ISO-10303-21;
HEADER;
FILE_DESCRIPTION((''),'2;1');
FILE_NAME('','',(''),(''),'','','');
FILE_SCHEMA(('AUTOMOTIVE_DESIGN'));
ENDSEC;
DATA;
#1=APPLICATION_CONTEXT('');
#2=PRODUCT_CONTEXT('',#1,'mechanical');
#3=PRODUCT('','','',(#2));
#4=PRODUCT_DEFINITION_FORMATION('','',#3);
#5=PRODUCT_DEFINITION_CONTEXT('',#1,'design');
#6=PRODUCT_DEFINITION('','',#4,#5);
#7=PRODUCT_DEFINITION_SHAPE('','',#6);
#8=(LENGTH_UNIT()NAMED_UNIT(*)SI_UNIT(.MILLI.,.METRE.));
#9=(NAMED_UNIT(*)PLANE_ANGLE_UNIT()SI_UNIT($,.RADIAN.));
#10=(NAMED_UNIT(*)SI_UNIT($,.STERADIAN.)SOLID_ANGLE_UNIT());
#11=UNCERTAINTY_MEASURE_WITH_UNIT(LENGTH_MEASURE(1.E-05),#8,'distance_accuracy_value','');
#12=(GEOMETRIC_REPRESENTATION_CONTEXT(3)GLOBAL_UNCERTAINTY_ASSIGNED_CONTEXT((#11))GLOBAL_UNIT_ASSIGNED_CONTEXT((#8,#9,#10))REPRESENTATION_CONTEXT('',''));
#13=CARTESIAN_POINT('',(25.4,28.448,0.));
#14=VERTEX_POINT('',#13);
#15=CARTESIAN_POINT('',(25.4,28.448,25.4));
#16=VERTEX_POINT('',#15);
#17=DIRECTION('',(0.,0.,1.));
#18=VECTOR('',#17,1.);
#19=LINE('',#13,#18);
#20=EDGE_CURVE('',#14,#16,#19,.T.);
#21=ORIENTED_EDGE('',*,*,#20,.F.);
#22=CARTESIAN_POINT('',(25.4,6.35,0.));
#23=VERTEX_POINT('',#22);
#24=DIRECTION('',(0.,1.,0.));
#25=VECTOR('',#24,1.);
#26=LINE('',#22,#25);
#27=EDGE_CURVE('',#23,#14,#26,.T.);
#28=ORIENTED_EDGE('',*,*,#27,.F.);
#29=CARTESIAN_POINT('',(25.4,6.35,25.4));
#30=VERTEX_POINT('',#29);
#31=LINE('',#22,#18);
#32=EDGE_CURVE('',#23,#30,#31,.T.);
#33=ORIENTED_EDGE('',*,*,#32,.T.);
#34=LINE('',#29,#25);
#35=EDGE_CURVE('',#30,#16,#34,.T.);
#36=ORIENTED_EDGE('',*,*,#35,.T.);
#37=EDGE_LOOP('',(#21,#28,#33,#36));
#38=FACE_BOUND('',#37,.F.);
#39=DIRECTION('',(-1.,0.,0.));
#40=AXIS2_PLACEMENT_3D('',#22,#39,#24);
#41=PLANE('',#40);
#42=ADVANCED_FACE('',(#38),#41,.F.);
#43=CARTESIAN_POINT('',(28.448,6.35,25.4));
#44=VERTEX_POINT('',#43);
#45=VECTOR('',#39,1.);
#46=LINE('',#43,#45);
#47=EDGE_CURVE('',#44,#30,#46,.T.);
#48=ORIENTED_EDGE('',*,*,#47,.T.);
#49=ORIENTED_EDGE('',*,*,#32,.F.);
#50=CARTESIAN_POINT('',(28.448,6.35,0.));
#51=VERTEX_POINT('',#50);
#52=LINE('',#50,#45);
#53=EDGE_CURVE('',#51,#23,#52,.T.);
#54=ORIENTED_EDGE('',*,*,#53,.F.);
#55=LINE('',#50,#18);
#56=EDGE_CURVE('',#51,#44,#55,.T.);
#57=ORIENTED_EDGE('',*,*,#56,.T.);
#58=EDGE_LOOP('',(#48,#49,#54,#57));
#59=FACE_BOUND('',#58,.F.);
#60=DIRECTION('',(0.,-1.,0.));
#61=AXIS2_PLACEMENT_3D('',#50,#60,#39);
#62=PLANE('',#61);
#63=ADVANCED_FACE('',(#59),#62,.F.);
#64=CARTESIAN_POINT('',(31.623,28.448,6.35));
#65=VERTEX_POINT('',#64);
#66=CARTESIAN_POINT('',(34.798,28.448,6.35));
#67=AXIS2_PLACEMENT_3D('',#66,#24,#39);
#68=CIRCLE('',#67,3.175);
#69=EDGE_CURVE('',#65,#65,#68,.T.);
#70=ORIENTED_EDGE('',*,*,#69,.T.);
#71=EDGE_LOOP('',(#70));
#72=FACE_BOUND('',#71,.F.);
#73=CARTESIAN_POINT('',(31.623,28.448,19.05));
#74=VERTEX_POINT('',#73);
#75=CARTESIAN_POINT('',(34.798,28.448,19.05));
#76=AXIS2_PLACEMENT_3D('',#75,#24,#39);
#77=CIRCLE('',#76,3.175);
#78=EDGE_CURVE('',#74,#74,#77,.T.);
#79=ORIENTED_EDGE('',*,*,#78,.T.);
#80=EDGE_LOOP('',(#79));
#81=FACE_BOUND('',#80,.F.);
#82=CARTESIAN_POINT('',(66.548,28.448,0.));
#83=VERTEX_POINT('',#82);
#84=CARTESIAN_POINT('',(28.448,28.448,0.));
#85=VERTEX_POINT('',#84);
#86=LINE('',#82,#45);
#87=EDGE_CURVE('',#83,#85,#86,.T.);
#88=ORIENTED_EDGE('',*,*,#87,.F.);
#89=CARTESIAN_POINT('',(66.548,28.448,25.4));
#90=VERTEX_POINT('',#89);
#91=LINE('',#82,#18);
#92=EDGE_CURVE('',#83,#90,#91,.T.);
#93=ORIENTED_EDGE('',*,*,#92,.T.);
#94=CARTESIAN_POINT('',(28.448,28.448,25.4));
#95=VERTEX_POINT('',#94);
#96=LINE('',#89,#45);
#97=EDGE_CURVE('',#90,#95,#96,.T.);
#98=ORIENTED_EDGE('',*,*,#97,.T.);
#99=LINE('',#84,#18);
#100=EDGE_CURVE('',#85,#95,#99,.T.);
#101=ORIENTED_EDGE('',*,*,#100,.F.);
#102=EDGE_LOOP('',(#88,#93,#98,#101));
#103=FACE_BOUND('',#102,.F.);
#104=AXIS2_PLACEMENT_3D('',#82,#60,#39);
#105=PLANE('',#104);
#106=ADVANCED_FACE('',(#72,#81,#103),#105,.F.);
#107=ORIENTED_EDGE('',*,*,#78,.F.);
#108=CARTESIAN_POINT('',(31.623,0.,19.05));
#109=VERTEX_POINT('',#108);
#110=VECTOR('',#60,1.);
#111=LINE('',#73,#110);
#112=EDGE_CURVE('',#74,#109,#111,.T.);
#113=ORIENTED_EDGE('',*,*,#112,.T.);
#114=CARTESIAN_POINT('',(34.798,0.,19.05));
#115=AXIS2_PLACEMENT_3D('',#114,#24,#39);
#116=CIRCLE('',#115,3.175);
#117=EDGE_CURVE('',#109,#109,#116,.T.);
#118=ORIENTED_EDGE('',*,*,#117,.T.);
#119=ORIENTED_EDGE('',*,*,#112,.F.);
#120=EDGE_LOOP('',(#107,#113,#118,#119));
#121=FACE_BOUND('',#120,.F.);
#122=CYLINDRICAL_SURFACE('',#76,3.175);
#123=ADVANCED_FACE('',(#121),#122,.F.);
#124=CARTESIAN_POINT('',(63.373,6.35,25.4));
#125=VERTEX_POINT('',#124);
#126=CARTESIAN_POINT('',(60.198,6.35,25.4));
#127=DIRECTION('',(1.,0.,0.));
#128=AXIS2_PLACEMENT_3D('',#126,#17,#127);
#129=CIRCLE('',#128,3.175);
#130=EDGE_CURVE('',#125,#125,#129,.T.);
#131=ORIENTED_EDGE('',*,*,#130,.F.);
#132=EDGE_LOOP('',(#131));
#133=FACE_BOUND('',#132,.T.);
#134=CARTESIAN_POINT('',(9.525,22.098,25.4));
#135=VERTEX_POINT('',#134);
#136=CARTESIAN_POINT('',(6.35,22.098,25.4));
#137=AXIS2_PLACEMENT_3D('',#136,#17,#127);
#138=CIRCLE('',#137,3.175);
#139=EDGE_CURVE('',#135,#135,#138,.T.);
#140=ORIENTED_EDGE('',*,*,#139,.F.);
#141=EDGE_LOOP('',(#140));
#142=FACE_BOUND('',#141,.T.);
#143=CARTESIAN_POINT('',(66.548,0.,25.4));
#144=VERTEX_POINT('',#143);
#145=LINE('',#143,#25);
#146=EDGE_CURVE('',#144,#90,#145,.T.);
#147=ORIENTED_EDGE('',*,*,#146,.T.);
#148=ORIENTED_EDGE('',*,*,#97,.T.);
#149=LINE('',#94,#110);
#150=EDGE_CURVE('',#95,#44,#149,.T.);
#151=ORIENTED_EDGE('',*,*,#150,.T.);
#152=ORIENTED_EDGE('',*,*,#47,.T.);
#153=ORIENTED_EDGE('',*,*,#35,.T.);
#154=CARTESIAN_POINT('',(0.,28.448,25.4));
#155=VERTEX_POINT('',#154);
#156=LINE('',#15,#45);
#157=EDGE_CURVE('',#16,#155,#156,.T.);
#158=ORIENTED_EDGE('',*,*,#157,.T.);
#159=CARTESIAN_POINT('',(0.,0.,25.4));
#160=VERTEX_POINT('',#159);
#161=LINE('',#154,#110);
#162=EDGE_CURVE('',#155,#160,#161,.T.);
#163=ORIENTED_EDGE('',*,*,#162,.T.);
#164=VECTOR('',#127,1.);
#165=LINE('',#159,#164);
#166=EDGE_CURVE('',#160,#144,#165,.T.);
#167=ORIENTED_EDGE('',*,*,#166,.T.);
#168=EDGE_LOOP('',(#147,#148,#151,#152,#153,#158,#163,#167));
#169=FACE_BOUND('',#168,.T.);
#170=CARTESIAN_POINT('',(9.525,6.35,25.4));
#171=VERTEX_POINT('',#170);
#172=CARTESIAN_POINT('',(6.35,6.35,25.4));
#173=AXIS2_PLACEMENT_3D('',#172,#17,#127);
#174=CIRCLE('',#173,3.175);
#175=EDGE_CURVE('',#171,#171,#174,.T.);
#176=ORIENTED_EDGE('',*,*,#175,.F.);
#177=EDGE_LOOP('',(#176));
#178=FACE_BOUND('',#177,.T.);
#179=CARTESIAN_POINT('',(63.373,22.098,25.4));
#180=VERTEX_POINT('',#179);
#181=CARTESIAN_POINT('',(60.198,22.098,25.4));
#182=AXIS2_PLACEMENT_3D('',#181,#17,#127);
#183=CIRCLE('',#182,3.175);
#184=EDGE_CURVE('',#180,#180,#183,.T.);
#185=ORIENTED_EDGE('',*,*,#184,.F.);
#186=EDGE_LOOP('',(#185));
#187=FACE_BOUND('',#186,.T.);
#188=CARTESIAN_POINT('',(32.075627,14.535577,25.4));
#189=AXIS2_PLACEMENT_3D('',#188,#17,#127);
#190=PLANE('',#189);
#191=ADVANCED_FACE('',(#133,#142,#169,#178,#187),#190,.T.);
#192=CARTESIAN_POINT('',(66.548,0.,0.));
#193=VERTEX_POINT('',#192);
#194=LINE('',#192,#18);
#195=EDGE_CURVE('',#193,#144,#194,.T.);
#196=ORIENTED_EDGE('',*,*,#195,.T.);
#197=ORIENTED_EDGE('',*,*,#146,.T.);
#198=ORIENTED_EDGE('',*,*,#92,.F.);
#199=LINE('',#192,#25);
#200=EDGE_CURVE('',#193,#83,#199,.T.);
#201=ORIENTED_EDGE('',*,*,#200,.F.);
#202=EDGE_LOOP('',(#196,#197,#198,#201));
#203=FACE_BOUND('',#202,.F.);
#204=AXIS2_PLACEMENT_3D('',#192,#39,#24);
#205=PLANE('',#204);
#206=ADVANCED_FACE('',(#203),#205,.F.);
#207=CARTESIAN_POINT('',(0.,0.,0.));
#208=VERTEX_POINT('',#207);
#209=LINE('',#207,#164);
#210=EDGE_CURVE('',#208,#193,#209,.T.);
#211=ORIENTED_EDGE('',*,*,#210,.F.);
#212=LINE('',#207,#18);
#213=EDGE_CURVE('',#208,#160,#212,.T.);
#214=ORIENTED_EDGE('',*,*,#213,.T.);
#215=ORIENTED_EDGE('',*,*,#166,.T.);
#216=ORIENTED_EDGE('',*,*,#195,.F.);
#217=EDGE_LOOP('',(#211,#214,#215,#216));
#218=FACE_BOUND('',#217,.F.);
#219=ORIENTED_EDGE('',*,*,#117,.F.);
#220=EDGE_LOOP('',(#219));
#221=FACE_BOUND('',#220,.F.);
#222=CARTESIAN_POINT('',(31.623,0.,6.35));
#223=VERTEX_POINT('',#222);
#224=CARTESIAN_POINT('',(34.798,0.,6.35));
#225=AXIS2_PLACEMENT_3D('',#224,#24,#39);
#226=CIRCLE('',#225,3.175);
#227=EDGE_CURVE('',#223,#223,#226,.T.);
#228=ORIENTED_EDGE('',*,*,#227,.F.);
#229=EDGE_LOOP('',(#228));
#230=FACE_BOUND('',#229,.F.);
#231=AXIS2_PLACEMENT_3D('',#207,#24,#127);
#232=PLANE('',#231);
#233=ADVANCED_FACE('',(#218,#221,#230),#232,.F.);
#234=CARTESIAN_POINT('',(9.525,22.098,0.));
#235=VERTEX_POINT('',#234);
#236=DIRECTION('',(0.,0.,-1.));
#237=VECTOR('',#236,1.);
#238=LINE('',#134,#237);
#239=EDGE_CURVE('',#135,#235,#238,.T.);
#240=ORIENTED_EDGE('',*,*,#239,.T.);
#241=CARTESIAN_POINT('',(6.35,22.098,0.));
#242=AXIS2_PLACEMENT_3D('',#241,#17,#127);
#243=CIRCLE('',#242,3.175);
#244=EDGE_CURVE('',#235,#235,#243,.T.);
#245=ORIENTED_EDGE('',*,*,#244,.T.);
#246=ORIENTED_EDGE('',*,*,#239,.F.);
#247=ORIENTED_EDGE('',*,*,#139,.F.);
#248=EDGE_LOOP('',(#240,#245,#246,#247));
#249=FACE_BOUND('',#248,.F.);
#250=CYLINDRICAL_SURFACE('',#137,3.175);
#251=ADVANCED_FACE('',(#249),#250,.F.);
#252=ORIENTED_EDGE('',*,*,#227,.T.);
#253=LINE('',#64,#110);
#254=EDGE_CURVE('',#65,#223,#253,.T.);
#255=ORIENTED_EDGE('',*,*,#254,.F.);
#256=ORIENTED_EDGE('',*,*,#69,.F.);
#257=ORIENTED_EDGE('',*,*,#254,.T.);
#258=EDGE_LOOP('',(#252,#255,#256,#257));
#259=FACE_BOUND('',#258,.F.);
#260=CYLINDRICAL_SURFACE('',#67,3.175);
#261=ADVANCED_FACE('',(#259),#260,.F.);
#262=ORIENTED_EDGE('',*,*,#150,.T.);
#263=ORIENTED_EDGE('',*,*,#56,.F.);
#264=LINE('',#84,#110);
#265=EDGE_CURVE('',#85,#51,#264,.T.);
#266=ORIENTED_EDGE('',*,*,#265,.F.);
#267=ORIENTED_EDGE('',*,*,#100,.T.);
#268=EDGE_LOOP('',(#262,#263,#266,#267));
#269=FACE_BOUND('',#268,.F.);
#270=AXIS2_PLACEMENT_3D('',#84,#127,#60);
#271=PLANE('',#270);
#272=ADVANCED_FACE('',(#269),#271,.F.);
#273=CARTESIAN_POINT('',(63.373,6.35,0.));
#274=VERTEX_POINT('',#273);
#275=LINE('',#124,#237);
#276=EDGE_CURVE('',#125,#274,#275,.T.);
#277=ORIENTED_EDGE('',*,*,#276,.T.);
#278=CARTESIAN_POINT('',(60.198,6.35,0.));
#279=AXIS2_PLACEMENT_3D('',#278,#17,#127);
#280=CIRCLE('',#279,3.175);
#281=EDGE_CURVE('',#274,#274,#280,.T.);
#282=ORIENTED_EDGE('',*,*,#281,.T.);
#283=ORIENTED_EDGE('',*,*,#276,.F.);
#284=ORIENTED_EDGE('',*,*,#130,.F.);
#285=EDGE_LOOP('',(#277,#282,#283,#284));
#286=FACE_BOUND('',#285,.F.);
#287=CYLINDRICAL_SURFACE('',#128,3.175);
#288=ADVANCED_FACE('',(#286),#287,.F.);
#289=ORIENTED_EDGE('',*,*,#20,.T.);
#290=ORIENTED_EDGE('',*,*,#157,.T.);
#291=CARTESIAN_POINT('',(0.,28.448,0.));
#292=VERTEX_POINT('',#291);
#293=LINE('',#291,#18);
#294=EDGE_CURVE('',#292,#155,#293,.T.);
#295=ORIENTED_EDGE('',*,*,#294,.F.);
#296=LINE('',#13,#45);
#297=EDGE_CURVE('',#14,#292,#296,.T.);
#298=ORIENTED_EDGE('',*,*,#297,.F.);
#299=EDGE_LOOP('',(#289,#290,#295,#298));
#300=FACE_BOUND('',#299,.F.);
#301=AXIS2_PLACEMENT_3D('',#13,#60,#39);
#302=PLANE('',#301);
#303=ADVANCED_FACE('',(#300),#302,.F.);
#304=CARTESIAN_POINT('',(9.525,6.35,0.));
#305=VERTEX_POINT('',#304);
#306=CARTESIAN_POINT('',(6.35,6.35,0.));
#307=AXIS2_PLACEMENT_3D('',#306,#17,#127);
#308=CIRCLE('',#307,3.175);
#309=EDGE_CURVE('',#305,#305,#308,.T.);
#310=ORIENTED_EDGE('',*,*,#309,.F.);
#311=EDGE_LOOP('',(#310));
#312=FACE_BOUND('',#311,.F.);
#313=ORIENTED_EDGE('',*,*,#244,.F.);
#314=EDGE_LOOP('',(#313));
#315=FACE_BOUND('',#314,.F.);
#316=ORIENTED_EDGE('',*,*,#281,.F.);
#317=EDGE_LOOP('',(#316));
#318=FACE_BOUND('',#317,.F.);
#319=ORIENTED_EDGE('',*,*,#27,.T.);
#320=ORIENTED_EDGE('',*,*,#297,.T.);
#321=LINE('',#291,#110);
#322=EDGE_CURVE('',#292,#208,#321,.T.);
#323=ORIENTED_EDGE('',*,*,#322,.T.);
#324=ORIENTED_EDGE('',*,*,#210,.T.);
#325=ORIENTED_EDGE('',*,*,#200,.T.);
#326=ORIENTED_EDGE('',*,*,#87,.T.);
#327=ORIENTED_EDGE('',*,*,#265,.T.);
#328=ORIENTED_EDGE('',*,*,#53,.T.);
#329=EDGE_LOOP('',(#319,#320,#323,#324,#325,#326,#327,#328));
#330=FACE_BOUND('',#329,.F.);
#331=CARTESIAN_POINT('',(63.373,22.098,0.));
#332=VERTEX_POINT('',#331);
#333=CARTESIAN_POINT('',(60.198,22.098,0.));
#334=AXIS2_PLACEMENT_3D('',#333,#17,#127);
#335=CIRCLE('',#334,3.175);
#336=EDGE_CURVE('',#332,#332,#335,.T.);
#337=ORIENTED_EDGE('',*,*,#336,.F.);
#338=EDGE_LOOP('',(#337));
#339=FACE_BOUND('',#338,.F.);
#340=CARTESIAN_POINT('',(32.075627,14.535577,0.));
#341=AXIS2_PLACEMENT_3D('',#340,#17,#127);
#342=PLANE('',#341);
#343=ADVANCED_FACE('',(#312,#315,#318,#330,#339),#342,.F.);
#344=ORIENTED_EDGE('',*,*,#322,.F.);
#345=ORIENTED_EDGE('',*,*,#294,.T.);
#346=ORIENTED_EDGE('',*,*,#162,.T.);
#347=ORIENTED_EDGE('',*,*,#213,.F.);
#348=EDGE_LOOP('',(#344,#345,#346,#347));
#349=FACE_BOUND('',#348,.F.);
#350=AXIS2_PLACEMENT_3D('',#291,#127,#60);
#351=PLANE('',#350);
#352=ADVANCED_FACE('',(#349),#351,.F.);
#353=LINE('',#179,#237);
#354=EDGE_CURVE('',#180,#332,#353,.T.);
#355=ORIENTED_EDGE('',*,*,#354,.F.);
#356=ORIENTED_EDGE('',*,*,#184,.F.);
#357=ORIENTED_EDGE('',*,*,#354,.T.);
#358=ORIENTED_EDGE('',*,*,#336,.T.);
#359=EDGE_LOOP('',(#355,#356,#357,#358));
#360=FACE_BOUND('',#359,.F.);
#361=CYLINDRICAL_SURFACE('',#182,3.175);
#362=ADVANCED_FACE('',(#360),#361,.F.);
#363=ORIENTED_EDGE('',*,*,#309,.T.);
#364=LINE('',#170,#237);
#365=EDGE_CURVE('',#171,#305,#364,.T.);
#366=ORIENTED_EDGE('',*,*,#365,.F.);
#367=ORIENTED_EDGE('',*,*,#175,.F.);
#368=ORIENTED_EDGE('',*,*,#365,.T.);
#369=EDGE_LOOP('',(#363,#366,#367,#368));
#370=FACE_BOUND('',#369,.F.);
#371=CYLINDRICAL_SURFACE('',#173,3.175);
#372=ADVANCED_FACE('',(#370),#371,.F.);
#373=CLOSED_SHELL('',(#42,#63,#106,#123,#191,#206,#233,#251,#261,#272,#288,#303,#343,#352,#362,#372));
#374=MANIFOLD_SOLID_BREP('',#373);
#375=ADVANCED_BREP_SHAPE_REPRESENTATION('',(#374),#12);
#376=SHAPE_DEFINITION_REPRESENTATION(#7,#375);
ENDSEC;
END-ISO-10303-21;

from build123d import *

# Parameters (mm, degrees)
F1_DEPTH = 25.4
F2_R     = 3.175
F3_DEPTH = 25.4
F4_R     = 3.175
F5_DEPTH = 28.448


with BuildPart() as f1:
    # F0 (on Top) → F1 (new body)
    with BuildSketch(Plane.XY):
        Polygon((0, 28.448), (0, 0), (66.548, 0), (66.548, 28.448), (28.448, 28.448), (28.448, 6.35), (25.4, 6.35), (25.4, 28.448), align=None)
    extrude(amount=F1_DEPTH)

    # F2 (on face) → F3 (cut)
    with BuildSketch(Plane.XY.offset(25.4)):
        with Locations((6.35, 6.35)):
            Circle(F2_R)
        with Locations((60.198, 6.35)):
            Circle(F2_R)
        with Locations((60.198, 22.098)):
            Circle(F2_R)
        with Locations((6.35, 22.098)):
            Circle(F2_R)
    extrude(amount=-F3_DEPTH, mode=Mode.SUBTRACT)

    # F4 (on face) → F5 (cut, through all)
    with BuildSketch(Plane(origin=(0, 28.448, 0), x_dir=(-1, 0, 0), z_dir=(0, 1, 0))):
        with Locations((-34.798, 6.35)):
            Circle(F4_R)
        with Locations((-34.798, 19.05)):
            Circle(F4_R)
    extrude(amount=-F5_DEPTH, mode=Mode.SUBTRACT)


solid = f1.part
